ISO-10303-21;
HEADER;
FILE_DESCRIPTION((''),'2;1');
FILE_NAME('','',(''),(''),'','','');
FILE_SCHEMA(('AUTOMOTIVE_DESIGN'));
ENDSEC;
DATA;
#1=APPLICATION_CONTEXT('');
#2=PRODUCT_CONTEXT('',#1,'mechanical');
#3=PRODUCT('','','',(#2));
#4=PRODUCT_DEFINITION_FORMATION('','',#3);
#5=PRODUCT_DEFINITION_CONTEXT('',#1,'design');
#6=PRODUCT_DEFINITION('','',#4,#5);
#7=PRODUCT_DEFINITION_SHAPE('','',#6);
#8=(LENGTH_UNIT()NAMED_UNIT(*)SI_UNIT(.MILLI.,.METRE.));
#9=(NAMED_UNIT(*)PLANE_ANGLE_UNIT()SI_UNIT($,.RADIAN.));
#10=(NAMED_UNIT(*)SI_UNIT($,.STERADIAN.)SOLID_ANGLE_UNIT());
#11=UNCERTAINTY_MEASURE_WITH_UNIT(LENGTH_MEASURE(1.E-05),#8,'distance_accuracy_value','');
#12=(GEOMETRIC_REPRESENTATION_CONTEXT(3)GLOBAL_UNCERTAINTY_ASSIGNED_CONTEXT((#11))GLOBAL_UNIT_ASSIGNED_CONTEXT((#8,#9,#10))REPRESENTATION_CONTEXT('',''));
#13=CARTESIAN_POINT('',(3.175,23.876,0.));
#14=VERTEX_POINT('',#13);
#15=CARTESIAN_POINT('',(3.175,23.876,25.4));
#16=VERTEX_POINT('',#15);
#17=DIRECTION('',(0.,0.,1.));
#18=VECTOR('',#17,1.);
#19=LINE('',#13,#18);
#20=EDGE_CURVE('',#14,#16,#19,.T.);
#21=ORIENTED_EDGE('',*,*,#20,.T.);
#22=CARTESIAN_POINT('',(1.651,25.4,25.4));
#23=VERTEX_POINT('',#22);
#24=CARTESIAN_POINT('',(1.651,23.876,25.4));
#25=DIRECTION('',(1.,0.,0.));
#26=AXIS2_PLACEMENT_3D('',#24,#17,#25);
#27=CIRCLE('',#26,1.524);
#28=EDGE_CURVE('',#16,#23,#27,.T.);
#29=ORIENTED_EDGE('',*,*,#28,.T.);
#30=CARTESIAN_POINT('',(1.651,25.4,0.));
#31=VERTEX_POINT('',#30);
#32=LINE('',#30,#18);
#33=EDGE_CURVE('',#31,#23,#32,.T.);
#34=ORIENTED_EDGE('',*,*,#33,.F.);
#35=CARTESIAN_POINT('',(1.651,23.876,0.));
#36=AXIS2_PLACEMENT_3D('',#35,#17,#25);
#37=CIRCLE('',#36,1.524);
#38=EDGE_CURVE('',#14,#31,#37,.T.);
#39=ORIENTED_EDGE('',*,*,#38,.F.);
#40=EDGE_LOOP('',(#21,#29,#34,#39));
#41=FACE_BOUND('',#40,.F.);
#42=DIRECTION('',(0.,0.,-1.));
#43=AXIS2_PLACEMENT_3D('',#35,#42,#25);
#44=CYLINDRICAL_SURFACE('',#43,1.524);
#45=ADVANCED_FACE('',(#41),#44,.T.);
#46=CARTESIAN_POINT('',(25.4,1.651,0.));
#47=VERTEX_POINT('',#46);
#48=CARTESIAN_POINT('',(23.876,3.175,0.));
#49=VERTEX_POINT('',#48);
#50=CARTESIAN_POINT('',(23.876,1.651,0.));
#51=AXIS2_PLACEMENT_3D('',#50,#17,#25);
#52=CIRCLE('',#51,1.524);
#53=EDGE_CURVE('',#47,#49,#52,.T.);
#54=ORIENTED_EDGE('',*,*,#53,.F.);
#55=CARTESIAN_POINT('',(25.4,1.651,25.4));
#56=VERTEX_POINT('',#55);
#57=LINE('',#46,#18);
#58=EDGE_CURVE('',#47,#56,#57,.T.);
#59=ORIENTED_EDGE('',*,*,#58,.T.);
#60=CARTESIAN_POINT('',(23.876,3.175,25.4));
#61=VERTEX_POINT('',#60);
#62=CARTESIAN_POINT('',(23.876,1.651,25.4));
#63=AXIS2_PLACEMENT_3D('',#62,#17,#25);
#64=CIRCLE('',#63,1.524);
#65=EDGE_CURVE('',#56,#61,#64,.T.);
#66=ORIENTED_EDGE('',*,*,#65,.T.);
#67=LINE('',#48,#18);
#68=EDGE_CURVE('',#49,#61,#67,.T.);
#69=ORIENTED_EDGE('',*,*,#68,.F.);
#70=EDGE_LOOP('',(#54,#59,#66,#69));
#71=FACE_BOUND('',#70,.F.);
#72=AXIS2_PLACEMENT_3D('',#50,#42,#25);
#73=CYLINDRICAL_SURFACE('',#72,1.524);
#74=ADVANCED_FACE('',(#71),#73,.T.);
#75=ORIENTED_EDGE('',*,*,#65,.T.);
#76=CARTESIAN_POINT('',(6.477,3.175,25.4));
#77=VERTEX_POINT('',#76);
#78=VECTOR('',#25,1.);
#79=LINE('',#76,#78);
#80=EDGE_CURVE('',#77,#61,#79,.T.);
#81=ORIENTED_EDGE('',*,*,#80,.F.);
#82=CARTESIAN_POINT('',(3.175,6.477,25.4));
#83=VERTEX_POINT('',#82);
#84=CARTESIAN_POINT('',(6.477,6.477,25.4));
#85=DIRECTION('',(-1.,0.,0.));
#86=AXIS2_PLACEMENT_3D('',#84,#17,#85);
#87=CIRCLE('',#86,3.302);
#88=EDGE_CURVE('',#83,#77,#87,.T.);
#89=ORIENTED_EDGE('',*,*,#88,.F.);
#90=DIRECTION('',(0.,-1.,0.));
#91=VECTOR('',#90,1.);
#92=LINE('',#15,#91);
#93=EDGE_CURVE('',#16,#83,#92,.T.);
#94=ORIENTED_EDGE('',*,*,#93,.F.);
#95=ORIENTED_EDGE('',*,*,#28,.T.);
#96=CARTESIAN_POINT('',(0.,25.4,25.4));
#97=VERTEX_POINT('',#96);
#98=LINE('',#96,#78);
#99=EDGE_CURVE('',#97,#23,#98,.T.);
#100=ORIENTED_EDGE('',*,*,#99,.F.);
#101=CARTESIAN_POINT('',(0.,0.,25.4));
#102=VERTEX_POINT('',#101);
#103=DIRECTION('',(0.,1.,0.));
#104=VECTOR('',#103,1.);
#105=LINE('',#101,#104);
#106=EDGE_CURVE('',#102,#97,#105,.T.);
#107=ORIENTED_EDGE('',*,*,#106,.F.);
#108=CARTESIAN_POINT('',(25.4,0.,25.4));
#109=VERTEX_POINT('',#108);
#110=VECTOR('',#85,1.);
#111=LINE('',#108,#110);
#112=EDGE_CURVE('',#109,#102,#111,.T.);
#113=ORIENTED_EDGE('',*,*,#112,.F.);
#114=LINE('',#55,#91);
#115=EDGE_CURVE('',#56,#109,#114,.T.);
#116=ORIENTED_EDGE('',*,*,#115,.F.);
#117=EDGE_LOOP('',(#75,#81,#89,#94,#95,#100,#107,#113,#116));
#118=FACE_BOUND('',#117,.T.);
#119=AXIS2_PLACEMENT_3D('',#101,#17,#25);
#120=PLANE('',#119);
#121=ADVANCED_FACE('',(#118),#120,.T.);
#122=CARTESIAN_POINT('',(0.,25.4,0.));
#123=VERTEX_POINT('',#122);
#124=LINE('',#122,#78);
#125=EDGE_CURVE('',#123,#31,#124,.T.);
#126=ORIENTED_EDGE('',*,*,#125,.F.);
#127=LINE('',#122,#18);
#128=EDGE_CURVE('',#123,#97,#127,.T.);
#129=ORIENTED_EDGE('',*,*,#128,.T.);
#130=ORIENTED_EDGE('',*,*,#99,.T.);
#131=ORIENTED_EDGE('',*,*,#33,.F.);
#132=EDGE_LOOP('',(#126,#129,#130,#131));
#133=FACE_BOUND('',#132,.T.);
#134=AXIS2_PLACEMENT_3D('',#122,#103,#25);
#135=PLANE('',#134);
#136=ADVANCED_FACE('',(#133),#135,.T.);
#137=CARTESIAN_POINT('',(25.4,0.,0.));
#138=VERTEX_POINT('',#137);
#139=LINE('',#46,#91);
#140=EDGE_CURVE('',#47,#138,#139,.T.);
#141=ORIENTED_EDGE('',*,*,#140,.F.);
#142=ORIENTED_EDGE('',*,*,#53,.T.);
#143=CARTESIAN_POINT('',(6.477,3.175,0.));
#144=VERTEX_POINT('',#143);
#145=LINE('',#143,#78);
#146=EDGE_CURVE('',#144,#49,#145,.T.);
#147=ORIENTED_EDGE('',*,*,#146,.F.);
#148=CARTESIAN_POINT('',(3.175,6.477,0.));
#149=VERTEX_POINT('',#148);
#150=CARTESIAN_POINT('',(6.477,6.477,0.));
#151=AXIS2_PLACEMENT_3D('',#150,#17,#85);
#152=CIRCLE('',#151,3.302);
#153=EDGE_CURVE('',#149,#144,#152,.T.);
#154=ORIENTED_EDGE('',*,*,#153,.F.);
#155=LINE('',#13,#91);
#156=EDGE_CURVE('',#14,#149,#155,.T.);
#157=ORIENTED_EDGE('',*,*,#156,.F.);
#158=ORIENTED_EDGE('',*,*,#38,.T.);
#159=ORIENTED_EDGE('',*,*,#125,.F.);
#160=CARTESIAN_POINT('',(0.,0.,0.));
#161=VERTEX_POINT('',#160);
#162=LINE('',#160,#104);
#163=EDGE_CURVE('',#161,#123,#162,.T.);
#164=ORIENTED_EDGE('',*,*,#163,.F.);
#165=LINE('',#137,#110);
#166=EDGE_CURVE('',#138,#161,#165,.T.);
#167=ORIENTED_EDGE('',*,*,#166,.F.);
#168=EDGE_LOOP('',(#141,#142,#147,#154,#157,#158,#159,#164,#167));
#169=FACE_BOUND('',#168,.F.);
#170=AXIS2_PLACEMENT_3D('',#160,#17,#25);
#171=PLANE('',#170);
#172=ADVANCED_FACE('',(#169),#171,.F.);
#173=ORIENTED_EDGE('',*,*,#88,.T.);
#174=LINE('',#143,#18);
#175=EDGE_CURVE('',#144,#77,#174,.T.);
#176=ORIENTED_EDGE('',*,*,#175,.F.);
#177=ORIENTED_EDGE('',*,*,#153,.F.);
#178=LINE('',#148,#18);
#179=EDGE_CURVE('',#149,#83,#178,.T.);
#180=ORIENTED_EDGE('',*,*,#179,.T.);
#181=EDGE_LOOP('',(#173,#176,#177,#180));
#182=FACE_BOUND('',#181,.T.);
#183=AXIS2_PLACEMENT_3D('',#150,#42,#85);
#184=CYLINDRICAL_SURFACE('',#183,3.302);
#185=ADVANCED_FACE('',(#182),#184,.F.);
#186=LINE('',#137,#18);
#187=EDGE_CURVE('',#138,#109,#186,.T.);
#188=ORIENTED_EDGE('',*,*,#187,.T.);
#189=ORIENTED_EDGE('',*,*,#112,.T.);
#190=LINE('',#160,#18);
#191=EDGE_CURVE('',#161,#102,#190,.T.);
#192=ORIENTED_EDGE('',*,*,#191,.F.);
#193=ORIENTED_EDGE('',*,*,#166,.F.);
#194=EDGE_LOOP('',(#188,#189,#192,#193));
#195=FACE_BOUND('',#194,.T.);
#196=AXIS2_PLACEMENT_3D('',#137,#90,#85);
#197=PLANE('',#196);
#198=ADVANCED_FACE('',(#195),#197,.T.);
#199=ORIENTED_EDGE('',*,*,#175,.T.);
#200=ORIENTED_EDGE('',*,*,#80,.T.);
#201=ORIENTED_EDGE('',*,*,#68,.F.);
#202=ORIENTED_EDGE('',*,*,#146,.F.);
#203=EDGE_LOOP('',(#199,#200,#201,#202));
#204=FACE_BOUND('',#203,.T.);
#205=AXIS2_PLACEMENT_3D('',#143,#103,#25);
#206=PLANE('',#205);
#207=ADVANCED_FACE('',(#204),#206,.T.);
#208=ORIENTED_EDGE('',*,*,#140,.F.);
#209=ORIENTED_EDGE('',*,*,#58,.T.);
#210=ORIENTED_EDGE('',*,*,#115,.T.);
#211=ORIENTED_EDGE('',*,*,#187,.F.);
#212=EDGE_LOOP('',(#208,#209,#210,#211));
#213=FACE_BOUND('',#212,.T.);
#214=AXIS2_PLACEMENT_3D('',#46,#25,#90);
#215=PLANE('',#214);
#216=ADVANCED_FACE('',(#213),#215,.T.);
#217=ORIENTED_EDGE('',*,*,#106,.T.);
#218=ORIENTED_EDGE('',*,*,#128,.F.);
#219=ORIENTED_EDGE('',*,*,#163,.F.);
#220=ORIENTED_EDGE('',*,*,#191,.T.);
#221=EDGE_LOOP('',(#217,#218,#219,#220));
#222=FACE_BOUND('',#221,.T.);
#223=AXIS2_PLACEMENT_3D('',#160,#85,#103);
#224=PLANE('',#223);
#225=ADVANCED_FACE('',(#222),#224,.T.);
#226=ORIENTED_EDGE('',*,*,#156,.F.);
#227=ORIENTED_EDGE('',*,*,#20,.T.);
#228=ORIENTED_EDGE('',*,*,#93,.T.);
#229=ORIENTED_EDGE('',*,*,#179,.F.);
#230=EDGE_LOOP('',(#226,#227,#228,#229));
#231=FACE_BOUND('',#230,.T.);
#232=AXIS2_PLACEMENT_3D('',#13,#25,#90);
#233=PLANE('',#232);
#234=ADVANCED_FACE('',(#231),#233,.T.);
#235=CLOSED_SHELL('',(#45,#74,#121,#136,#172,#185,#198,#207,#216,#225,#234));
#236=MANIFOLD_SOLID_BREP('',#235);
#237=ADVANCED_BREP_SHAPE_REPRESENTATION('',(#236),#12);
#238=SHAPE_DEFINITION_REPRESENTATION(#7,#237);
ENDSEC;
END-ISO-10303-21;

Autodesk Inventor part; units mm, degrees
ref_plane "YZ Plane" through (0, 0, 0) normal (1, 0, 0) x (0, 1, 0)
ref_plane "Start plane" through (0, 0, 0) normal (0, 0, 1) x (1, 0, 0)
ref_plane "End plane" through (0, 0, 25.4) normal (0, 0, 1) x (1, 0, 0)
sketch "Sketch" plane through (0, 0, 0) normal (0, 0, 1) x (1, 0, 0)
  line L0 (25.4, 0) -> (0, 0)
  line L1 (0, 0) -> (0, 25.4)
  line L2 (0, 25.4) -> (1.651, 25.4)
  line L3 (3.175, 23.876) -> (3.175, 6.477)
  line L4 (6.477, 3.175) -> (23.876, 3.175)
  line L5 (25.4, 1.651) -> (25.4, 0)
  line L6 (0, -11.0414) -> (0, 31.5385) construction
  line L7 (-11.0414, 0) -> (31.5385, 0) construction
  arc A0 (3.175, 6.477) -> (6.477, 3.175) centre (6.477, 6.477) ccw
  arc A1 (3.175, 23.876) -> (1.651, 25.4) centre (1.651, 23.876) ccw
  arc A2 (25.4, 1.651) -> (23.876, 3.175) centre (23.876, 1.651) ccw
  line L8 (0, 40.0545) -> (0, -19.5574) construction
  line L9 (-19.5574, 0) -> (40.0545, 0) construction
  point P0 (3.175, 25.4)
  point P1 (3.175, 3.175)
  point P2 (25.4, 3.175)
  dimension "d0" = 25.4
  dimension "d1" = 25.4
  dimension "d2" = 3.175
  dimension "d3" = 3.175
  dimension "d10" = 0
  dimension "d11" = 0
  dimension "d14" = 3.302
  dimension "d15" = 1.524
extrude "Body" add sketch "Sketch" along normal up to surface (25.4 mm away) from surface at 0
sketch "Sketch3" plane through (0, 0, 0) normal (0, 0, 1) x (1, 0, 0)
  line L0 (0, 0) -> (10, 0)
ref_plane "Work Plane3" through (0, 0, 0) normal (0, -1, 0) x (1, 0, 0)
sketch "Sketch4" plane through (0, 0, 0) normal (0, -1, 0) x (1, 0, 0)
  line L0 (-2, 0) -> (12, 0) projected
  line L1 (-2, 25.4) -> (12, 25.4) projected
  dimension "d17" = 25.4
equation "\"d0\" = G_H"
equation "\"d1\" = G_H"
equation "\"d2\" = G_T"
equation "\"d3\" = G_T"
equation "\"d14\" = G_IR"
equation "\"d15\" = G_ER"
equation "\"d4\" = G_L"
equation "\"G_H\" = 25.4"
equation "\"G_T\" = 3.175"
equation "\"G_ER\" = 1.524"
equation "\"G_IR\" = 3.302"
equation "\"G_L\" = d17"
equation "\"ex\" = 0"
equation "\"G_OFFSET_START\" = 0"
equation "\"G_OFFSET_END\" = 0"
equation "\"d13\" = G_OFFSET_END + B_L"
equation "\"B_L\" = 25.4"
properties part number "AISC - L 1 x 1 x 1/8 - 1" material "Aluminum 6061"
